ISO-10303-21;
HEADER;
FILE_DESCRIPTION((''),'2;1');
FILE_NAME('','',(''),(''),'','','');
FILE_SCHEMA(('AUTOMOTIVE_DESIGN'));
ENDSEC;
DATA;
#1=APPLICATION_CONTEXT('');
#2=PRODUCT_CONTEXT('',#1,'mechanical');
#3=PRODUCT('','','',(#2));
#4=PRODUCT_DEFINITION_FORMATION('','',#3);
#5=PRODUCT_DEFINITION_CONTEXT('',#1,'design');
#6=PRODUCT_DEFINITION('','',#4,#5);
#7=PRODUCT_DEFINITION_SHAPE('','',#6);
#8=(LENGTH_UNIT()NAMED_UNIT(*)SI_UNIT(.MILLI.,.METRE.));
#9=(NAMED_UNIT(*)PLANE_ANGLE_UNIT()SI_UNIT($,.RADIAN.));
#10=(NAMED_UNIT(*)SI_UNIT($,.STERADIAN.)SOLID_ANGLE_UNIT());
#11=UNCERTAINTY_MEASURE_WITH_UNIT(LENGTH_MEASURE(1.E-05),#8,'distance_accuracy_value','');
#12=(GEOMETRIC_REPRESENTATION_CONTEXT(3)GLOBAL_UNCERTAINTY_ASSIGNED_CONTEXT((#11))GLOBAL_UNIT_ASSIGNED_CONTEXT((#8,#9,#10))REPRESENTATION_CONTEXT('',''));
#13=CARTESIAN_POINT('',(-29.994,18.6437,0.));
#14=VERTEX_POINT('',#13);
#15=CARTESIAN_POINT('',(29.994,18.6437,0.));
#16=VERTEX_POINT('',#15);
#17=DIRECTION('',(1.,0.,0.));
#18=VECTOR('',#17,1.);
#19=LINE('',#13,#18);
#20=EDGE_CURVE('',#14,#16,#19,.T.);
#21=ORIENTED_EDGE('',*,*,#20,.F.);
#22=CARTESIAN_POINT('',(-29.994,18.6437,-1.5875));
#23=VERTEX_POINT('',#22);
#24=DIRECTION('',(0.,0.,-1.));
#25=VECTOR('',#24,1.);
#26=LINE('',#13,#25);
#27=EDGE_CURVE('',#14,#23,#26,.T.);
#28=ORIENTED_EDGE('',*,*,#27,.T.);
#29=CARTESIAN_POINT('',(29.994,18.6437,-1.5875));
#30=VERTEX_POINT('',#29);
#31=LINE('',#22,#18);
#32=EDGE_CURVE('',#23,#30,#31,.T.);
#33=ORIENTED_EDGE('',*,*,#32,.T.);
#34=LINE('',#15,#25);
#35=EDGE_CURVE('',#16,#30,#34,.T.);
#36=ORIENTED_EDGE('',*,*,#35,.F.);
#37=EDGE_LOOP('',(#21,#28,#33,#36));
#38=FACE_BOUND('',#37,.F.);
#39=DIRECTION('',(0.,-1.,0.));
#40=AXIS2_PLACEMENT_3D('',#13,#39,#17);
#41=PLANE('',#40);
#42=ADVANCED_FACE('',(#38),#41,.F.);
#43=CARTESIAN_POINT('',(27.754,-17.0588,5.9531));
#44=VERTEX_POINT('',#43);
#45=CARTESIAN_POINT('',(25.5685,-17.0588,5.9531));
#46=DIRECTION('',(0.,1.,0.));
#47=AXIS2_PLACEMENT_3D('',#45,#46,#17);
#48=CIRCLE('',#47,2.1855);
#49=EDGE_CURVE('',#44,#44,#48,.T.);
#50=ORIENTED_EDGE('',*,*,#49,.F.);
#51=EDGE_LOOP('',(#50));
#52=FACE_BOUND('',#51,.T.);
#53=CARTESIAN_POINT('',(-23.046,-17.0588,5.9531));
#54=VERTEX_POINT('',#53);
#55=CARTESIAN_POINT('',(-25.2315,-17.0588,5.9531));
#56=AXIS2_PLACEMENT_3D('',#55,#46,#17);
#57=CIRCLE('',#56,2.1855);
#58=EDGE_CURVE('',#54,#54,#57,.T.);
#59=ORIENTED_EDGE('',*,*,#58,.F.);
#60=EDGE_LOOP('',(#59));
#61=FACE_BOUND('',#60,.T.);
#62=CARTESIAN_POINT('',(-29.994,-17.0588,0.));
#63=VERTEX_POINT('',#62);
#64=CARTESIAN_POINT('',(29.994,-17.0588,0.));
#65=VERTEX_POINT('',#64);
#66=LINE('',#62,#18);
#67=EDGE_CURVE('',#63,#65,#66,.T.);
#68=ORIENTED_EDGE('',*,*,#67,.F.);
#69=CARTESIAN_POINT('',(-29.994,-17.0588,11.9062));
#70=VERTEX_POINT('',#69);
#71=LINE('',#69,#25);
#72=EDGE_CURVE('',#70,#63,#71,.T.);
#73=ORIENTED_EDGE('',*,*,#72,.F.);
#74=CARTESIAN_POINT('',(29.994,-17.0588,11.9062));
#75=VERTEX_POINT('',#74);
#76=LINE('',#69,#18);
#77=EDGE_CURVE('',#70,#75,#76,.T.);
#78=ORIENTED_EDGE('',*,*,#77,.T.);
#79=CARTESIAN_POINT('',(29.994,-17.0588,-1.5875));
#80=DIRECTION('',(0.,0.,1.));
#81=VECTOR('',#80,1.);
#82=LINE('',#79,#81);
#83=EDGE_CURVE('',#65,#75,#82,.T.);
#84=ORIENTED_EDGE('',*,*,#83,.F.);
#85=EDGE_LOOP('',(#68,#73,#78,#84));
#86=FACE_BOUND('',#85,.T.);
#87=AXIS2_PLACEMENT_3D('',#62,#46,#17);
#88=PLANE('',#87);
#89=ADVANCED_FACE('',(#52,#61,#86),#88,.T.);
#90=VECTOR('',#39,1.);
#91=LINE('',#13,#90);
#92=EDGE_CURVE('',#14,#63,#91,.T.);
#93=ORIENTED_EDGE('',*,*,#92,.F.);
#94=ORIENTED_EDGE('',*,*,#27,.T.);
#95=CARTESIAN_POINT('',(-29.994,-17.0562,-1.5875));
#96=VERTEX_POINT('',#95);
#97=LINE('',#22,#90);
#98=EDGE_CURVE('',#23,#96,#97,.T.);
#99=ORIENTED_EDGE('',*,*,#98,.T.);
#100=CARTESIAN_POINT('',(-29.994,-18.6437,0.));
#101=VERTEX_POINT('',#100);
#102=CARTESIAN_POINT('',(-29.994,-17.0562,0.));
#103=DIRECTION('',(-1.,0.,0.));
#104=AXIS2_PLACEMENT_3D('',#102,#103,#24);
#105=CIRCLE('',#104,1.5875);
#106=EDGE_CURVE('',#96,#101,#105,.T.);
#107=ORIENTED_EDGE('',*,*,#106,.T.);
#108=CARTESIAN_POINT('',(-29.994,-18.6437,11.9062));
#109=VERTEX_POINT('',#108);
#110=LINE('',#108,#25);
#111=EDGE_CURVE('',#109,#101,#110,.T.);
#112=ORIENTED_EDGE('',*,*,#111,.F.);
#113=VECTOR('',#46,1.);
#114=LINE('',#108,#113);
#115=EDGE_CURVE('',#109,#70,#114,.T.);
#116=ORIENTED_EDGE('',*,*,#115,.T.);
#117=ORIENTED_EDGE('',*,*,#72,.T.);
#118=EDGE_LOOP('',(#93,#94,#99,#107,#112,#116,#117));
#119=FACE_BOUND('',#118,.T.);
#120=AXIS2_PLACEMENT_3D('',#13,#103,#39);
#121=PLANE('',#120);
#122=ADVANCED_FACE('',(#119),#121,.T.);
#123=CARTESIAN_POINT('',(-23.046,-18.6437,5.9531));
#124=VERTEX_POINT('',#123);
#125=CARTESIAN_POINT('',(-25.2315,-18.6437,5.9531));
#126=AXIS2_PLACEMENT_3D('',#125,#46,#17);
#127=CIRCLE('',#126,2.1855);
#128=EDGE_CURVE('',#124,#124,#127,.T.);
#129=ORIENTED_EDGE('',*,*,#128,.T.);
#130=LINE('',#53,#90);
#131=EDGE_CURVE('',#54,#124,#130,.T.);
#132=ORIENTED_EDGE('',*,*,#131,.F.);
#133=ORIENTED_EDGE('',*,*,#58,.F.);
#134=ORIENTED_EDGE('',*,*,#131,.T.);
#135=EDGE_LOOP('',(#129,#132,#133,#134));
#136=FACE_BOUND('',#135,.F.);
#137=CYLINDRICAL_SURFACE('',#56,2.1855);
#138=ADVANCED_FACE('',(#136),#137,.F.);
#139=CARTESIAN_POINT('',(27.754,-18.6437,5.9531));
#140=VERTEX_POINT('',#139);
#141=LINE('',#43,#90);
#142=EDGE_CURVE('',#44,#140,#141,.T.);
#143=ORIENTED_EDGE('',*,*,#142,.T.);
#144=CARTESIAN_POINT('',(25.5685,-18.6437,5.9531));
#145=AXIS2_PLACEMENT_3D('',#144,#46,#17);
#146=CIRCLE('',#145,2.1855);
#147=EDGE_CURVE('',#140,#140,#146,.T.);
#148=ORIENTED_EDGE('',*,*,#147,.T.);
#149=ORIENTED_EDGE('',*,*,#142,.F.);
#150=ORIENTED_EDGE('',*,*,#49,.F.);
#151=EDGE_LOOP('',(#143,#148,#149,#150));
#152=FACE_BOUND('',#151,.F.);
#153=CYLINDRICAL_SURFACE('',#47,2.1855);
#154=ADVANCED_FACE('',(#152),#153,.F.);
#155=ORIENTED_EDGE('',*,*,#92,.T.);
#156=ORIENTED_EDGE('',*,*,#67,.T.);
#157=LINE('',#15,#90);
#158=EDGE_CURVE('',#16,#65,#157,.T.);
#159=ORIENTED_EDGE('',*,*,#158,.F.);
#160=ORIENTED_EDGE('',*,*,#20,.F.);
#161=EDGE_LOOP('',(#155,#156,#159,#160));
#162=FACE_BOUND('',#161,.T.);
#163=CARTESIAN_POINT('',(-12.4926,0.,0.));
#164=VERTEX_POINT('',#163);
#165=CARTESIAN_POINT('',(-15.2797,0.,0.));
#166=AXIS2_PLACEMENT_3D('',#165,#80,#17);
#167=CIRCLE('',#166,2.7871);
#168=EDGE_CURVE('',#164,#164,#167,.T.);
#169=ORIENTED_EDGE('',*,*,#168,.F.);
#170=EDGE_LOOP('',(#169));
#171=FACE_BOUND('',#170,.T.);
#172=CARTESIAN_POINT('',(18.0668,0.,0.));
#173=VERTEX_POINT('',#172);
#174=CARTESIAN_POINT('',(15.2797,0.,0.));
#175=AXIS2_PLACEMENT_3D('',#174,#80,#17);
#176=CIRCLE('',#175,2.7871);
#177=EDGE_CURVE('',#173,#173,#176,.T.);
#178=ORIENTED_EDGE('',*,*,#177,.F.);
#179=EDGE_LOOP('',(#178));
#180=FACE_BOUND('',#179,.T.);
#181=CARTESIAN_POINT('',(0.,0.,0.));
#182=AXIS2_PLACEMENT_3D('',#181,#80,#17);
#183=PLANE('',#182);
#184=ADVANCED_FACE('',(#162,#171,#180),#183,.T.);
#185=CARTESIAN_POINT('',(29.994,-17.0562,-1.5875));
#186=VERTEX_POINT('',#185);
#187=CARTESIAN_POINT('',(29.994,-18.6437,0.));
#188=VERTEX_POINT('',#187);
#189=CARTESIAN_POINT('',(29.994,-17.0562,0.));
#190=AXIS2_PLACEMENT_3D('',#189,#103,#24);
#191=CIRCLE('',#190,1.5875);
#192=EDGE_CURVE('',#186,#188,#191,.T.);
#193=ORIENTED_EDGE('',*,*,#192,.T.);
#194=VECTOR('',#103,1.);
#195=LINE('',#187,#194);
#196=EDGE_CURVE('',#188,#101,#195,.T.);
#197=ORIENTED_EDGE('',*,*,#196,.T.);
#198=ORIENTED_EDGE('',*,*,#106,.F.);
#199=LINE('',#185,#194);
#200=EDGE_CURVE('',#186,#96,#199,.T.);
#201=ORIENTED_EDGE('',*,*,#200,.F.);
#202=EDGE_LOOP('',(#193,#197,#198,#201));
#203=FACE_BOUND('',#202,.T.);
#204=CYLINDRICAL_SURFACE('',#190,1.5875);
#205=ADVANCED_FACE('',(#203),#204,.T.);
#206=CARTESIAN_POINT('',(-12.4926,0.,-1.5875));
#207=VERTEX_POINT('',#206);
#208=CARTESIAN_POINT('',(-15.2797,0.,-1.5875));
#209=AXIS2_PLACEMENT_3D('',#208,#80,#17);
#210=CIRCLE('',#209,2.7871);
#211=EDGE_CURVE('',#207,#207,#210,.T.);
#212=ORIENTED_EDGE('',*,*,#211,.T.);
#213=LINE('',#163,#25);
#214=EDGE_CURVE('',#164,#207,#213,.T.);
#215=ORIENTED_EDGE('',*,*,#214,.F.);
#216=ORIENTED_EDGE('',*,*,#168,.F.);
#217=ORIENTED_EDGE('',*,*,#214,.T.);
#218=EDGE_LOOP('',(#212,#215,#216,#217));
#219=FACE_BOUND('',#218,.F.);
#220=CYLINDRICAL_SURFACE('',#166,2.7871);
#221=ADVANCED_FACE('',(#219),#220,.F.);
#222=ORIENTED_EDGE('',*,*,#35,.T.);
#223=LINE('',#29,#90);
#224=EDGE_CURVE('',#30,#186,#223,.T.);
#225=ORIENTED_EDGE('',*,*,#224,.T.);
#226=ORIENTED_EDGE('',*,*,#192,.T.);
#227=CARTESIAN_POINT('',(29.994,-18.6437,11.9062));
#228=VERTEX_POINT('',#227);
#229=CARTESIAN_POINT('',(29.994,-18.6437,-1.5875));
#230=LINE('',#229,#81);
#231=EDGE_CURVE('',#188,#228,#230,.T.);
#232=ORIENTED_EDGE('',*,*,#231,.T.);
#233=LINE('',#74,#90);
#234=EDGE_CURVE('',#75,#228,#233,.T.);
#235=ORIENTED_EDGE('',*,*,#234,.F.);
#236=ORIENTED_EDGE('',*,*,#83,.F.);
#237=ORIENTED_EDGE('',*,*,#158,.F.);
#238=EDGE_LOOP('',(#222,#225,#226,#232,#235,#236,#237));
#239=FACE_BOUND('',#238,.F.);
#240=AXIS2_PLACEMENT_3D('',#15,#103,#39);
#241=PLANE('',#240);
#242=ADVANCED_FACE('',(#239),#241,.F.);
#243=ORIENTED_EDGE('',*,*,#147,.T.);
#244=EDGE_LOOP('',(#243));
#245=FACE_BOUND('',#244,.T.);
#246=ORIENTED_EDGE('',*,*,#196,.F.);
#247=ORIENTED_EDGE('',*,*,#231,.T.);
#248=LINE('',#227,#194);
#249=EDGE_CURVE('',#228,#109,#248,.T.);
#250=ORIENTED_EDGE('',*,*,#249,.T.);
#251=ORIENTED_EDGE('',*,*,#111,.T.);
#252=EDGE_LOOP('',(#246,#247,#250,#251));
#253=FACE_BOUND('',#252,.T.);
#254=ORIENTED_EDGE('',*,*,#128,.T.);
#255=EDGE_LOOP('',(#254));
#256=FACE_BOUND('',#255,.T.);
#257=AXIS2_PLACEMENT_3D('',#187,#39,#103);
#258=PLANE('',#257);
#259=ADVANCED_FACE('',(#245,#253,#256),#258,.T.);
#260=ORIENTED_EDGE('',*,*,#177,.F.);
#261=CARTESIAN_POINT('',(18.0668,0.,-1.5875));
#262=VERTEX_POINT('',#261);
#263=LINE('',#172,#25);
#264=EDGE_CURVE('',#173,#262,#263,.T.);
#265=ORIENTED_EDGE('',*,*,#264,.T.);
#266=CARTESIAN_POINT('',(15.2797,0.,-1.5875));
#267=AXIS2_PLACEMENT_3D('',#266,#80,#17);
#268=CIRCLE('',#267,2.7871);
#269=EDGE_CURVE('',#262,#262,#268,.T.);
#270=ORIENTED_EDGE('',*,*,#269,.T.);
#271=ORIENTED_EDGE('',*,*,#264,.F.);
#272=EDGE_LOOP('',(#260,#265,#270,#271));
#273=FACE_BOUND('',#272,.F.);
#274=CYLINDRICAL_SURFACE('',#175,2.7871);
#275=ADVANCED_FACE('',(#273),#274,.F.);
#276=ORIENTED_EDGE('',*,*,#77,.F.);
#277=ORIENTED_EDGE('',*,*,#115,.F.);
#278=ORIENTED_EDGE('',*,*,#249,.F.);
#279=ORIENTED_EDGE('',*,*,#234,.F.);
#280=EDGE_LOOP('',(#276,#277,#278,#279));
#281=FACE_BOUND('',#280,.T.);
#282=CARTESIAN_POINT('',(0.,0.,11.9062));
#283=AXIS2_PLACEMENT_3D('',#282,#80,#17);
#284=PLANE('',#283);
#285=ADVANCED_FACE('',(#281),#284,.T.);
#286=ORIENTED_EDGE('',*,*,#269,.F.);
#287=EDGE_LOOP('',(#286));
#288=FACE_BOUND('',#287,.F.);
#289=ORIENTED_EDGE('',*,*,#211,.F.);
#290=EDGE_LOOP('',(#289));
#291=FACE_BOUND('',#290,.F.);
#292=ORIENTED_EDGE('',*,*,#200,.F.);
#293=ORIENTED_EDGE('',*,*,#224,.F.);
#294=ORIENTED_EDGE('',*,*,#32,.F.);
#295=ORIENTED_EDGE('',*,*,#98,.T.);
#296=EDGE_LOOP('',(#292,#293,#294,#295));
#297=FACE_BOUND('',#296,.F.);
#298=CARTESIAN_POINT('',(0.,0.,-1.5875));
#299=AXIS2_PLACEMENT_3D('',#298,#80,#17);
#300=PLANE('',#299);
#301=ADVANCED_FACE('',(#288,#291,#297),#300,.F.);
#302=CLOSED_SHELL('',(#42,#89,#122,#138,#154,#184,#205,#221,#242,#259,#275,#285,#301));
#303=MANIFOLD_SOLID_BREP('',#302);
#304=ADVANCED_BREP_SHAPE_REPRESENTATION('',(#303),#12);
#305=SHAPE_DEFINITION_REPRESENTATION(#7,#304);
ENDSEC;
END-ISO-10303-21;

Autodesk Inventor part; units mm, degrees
ref_plane "YZ Plane" through (0, 0, 0) normal (1, 0, 0) x (0, 1, 0)
ref_plane "XZ Plane" through (0, 0, 0) normal (0, 1, 0) x (-1, 0, 0)
ref_plane "XY Plane" through (0, 0, 0) normal (0, 0, 1) x (1, 0, 0)
sketch "Sketch1" plane through (0, 0, 0) normal (0, 0, 1) x (1, 0, 0)
  line L0 (29.994, -18.6437) -> (-29.994, -18.6437)
  line L1 (-29.994, 18.6437) -> (29.994, 18.6437)
  line L2 (29.994, -18.6437) -> (-29.994, 18.6437) construction
  line L3 (-29.994, -18.6437) -> (29.994, 18.6437) construction
  line L4 (29.994, -18.6437) -> (-29.994, -18.6437)
  line L5 (-29.994, -18.6437) -> (-29.994, -17.0588)
  line L6 (-29.994, -17.0588) -> (29.994, -17.0588)
  line L7 (29.994, -17.0588) -> (29.994, -18.6437)
  line L8 (-29.994, 18.6437) -> (-29.994, -17.0588)
  line L9 (29.994, 18.6437) -> (29.994, -17.0588)
  point P0 (0, 0)
extrude "Extrusion1" add sketch "Sketch1" against normal blind 1.5875 contours L6 L8 L1 L9
extrude "Extrusion2" add sketch "Sketch1" along normal blind 11.9062 and the other way blind 1.5875 contours L0 L5 L6 L7
sketch "Sketch2" plane through (-29.994, -17.0588, 0) normal (0, 1, 0) x (1, 0, 0)
  circle A0 centre (4.7625, -5.9531) radius 2.1855
  circle A1 centre (55.5625, -5.9531) radius 2.1855
  point P0 (29.994, 0)
  point P1 (0, 0)
sketch "Sketch3" plane through (0, 0, 0) normal (0, 0, 1) x (1, 0, 0)
  circle A0 centre (-15.2797, 0) radius 2.7871
  circle A1 centre (15.2797, 0) radius 2.7871
extrude "Extrusion3" cut sketch "Sketch3" against normal blind 25.4
extrude "Extrusion4" cut sketch "Sketch2" against normal blind 25.4
fillet "Fillet1" radius 1.5875 1 edges at (0, -18.6437, -1.5875)
properties part number "balun_support"
